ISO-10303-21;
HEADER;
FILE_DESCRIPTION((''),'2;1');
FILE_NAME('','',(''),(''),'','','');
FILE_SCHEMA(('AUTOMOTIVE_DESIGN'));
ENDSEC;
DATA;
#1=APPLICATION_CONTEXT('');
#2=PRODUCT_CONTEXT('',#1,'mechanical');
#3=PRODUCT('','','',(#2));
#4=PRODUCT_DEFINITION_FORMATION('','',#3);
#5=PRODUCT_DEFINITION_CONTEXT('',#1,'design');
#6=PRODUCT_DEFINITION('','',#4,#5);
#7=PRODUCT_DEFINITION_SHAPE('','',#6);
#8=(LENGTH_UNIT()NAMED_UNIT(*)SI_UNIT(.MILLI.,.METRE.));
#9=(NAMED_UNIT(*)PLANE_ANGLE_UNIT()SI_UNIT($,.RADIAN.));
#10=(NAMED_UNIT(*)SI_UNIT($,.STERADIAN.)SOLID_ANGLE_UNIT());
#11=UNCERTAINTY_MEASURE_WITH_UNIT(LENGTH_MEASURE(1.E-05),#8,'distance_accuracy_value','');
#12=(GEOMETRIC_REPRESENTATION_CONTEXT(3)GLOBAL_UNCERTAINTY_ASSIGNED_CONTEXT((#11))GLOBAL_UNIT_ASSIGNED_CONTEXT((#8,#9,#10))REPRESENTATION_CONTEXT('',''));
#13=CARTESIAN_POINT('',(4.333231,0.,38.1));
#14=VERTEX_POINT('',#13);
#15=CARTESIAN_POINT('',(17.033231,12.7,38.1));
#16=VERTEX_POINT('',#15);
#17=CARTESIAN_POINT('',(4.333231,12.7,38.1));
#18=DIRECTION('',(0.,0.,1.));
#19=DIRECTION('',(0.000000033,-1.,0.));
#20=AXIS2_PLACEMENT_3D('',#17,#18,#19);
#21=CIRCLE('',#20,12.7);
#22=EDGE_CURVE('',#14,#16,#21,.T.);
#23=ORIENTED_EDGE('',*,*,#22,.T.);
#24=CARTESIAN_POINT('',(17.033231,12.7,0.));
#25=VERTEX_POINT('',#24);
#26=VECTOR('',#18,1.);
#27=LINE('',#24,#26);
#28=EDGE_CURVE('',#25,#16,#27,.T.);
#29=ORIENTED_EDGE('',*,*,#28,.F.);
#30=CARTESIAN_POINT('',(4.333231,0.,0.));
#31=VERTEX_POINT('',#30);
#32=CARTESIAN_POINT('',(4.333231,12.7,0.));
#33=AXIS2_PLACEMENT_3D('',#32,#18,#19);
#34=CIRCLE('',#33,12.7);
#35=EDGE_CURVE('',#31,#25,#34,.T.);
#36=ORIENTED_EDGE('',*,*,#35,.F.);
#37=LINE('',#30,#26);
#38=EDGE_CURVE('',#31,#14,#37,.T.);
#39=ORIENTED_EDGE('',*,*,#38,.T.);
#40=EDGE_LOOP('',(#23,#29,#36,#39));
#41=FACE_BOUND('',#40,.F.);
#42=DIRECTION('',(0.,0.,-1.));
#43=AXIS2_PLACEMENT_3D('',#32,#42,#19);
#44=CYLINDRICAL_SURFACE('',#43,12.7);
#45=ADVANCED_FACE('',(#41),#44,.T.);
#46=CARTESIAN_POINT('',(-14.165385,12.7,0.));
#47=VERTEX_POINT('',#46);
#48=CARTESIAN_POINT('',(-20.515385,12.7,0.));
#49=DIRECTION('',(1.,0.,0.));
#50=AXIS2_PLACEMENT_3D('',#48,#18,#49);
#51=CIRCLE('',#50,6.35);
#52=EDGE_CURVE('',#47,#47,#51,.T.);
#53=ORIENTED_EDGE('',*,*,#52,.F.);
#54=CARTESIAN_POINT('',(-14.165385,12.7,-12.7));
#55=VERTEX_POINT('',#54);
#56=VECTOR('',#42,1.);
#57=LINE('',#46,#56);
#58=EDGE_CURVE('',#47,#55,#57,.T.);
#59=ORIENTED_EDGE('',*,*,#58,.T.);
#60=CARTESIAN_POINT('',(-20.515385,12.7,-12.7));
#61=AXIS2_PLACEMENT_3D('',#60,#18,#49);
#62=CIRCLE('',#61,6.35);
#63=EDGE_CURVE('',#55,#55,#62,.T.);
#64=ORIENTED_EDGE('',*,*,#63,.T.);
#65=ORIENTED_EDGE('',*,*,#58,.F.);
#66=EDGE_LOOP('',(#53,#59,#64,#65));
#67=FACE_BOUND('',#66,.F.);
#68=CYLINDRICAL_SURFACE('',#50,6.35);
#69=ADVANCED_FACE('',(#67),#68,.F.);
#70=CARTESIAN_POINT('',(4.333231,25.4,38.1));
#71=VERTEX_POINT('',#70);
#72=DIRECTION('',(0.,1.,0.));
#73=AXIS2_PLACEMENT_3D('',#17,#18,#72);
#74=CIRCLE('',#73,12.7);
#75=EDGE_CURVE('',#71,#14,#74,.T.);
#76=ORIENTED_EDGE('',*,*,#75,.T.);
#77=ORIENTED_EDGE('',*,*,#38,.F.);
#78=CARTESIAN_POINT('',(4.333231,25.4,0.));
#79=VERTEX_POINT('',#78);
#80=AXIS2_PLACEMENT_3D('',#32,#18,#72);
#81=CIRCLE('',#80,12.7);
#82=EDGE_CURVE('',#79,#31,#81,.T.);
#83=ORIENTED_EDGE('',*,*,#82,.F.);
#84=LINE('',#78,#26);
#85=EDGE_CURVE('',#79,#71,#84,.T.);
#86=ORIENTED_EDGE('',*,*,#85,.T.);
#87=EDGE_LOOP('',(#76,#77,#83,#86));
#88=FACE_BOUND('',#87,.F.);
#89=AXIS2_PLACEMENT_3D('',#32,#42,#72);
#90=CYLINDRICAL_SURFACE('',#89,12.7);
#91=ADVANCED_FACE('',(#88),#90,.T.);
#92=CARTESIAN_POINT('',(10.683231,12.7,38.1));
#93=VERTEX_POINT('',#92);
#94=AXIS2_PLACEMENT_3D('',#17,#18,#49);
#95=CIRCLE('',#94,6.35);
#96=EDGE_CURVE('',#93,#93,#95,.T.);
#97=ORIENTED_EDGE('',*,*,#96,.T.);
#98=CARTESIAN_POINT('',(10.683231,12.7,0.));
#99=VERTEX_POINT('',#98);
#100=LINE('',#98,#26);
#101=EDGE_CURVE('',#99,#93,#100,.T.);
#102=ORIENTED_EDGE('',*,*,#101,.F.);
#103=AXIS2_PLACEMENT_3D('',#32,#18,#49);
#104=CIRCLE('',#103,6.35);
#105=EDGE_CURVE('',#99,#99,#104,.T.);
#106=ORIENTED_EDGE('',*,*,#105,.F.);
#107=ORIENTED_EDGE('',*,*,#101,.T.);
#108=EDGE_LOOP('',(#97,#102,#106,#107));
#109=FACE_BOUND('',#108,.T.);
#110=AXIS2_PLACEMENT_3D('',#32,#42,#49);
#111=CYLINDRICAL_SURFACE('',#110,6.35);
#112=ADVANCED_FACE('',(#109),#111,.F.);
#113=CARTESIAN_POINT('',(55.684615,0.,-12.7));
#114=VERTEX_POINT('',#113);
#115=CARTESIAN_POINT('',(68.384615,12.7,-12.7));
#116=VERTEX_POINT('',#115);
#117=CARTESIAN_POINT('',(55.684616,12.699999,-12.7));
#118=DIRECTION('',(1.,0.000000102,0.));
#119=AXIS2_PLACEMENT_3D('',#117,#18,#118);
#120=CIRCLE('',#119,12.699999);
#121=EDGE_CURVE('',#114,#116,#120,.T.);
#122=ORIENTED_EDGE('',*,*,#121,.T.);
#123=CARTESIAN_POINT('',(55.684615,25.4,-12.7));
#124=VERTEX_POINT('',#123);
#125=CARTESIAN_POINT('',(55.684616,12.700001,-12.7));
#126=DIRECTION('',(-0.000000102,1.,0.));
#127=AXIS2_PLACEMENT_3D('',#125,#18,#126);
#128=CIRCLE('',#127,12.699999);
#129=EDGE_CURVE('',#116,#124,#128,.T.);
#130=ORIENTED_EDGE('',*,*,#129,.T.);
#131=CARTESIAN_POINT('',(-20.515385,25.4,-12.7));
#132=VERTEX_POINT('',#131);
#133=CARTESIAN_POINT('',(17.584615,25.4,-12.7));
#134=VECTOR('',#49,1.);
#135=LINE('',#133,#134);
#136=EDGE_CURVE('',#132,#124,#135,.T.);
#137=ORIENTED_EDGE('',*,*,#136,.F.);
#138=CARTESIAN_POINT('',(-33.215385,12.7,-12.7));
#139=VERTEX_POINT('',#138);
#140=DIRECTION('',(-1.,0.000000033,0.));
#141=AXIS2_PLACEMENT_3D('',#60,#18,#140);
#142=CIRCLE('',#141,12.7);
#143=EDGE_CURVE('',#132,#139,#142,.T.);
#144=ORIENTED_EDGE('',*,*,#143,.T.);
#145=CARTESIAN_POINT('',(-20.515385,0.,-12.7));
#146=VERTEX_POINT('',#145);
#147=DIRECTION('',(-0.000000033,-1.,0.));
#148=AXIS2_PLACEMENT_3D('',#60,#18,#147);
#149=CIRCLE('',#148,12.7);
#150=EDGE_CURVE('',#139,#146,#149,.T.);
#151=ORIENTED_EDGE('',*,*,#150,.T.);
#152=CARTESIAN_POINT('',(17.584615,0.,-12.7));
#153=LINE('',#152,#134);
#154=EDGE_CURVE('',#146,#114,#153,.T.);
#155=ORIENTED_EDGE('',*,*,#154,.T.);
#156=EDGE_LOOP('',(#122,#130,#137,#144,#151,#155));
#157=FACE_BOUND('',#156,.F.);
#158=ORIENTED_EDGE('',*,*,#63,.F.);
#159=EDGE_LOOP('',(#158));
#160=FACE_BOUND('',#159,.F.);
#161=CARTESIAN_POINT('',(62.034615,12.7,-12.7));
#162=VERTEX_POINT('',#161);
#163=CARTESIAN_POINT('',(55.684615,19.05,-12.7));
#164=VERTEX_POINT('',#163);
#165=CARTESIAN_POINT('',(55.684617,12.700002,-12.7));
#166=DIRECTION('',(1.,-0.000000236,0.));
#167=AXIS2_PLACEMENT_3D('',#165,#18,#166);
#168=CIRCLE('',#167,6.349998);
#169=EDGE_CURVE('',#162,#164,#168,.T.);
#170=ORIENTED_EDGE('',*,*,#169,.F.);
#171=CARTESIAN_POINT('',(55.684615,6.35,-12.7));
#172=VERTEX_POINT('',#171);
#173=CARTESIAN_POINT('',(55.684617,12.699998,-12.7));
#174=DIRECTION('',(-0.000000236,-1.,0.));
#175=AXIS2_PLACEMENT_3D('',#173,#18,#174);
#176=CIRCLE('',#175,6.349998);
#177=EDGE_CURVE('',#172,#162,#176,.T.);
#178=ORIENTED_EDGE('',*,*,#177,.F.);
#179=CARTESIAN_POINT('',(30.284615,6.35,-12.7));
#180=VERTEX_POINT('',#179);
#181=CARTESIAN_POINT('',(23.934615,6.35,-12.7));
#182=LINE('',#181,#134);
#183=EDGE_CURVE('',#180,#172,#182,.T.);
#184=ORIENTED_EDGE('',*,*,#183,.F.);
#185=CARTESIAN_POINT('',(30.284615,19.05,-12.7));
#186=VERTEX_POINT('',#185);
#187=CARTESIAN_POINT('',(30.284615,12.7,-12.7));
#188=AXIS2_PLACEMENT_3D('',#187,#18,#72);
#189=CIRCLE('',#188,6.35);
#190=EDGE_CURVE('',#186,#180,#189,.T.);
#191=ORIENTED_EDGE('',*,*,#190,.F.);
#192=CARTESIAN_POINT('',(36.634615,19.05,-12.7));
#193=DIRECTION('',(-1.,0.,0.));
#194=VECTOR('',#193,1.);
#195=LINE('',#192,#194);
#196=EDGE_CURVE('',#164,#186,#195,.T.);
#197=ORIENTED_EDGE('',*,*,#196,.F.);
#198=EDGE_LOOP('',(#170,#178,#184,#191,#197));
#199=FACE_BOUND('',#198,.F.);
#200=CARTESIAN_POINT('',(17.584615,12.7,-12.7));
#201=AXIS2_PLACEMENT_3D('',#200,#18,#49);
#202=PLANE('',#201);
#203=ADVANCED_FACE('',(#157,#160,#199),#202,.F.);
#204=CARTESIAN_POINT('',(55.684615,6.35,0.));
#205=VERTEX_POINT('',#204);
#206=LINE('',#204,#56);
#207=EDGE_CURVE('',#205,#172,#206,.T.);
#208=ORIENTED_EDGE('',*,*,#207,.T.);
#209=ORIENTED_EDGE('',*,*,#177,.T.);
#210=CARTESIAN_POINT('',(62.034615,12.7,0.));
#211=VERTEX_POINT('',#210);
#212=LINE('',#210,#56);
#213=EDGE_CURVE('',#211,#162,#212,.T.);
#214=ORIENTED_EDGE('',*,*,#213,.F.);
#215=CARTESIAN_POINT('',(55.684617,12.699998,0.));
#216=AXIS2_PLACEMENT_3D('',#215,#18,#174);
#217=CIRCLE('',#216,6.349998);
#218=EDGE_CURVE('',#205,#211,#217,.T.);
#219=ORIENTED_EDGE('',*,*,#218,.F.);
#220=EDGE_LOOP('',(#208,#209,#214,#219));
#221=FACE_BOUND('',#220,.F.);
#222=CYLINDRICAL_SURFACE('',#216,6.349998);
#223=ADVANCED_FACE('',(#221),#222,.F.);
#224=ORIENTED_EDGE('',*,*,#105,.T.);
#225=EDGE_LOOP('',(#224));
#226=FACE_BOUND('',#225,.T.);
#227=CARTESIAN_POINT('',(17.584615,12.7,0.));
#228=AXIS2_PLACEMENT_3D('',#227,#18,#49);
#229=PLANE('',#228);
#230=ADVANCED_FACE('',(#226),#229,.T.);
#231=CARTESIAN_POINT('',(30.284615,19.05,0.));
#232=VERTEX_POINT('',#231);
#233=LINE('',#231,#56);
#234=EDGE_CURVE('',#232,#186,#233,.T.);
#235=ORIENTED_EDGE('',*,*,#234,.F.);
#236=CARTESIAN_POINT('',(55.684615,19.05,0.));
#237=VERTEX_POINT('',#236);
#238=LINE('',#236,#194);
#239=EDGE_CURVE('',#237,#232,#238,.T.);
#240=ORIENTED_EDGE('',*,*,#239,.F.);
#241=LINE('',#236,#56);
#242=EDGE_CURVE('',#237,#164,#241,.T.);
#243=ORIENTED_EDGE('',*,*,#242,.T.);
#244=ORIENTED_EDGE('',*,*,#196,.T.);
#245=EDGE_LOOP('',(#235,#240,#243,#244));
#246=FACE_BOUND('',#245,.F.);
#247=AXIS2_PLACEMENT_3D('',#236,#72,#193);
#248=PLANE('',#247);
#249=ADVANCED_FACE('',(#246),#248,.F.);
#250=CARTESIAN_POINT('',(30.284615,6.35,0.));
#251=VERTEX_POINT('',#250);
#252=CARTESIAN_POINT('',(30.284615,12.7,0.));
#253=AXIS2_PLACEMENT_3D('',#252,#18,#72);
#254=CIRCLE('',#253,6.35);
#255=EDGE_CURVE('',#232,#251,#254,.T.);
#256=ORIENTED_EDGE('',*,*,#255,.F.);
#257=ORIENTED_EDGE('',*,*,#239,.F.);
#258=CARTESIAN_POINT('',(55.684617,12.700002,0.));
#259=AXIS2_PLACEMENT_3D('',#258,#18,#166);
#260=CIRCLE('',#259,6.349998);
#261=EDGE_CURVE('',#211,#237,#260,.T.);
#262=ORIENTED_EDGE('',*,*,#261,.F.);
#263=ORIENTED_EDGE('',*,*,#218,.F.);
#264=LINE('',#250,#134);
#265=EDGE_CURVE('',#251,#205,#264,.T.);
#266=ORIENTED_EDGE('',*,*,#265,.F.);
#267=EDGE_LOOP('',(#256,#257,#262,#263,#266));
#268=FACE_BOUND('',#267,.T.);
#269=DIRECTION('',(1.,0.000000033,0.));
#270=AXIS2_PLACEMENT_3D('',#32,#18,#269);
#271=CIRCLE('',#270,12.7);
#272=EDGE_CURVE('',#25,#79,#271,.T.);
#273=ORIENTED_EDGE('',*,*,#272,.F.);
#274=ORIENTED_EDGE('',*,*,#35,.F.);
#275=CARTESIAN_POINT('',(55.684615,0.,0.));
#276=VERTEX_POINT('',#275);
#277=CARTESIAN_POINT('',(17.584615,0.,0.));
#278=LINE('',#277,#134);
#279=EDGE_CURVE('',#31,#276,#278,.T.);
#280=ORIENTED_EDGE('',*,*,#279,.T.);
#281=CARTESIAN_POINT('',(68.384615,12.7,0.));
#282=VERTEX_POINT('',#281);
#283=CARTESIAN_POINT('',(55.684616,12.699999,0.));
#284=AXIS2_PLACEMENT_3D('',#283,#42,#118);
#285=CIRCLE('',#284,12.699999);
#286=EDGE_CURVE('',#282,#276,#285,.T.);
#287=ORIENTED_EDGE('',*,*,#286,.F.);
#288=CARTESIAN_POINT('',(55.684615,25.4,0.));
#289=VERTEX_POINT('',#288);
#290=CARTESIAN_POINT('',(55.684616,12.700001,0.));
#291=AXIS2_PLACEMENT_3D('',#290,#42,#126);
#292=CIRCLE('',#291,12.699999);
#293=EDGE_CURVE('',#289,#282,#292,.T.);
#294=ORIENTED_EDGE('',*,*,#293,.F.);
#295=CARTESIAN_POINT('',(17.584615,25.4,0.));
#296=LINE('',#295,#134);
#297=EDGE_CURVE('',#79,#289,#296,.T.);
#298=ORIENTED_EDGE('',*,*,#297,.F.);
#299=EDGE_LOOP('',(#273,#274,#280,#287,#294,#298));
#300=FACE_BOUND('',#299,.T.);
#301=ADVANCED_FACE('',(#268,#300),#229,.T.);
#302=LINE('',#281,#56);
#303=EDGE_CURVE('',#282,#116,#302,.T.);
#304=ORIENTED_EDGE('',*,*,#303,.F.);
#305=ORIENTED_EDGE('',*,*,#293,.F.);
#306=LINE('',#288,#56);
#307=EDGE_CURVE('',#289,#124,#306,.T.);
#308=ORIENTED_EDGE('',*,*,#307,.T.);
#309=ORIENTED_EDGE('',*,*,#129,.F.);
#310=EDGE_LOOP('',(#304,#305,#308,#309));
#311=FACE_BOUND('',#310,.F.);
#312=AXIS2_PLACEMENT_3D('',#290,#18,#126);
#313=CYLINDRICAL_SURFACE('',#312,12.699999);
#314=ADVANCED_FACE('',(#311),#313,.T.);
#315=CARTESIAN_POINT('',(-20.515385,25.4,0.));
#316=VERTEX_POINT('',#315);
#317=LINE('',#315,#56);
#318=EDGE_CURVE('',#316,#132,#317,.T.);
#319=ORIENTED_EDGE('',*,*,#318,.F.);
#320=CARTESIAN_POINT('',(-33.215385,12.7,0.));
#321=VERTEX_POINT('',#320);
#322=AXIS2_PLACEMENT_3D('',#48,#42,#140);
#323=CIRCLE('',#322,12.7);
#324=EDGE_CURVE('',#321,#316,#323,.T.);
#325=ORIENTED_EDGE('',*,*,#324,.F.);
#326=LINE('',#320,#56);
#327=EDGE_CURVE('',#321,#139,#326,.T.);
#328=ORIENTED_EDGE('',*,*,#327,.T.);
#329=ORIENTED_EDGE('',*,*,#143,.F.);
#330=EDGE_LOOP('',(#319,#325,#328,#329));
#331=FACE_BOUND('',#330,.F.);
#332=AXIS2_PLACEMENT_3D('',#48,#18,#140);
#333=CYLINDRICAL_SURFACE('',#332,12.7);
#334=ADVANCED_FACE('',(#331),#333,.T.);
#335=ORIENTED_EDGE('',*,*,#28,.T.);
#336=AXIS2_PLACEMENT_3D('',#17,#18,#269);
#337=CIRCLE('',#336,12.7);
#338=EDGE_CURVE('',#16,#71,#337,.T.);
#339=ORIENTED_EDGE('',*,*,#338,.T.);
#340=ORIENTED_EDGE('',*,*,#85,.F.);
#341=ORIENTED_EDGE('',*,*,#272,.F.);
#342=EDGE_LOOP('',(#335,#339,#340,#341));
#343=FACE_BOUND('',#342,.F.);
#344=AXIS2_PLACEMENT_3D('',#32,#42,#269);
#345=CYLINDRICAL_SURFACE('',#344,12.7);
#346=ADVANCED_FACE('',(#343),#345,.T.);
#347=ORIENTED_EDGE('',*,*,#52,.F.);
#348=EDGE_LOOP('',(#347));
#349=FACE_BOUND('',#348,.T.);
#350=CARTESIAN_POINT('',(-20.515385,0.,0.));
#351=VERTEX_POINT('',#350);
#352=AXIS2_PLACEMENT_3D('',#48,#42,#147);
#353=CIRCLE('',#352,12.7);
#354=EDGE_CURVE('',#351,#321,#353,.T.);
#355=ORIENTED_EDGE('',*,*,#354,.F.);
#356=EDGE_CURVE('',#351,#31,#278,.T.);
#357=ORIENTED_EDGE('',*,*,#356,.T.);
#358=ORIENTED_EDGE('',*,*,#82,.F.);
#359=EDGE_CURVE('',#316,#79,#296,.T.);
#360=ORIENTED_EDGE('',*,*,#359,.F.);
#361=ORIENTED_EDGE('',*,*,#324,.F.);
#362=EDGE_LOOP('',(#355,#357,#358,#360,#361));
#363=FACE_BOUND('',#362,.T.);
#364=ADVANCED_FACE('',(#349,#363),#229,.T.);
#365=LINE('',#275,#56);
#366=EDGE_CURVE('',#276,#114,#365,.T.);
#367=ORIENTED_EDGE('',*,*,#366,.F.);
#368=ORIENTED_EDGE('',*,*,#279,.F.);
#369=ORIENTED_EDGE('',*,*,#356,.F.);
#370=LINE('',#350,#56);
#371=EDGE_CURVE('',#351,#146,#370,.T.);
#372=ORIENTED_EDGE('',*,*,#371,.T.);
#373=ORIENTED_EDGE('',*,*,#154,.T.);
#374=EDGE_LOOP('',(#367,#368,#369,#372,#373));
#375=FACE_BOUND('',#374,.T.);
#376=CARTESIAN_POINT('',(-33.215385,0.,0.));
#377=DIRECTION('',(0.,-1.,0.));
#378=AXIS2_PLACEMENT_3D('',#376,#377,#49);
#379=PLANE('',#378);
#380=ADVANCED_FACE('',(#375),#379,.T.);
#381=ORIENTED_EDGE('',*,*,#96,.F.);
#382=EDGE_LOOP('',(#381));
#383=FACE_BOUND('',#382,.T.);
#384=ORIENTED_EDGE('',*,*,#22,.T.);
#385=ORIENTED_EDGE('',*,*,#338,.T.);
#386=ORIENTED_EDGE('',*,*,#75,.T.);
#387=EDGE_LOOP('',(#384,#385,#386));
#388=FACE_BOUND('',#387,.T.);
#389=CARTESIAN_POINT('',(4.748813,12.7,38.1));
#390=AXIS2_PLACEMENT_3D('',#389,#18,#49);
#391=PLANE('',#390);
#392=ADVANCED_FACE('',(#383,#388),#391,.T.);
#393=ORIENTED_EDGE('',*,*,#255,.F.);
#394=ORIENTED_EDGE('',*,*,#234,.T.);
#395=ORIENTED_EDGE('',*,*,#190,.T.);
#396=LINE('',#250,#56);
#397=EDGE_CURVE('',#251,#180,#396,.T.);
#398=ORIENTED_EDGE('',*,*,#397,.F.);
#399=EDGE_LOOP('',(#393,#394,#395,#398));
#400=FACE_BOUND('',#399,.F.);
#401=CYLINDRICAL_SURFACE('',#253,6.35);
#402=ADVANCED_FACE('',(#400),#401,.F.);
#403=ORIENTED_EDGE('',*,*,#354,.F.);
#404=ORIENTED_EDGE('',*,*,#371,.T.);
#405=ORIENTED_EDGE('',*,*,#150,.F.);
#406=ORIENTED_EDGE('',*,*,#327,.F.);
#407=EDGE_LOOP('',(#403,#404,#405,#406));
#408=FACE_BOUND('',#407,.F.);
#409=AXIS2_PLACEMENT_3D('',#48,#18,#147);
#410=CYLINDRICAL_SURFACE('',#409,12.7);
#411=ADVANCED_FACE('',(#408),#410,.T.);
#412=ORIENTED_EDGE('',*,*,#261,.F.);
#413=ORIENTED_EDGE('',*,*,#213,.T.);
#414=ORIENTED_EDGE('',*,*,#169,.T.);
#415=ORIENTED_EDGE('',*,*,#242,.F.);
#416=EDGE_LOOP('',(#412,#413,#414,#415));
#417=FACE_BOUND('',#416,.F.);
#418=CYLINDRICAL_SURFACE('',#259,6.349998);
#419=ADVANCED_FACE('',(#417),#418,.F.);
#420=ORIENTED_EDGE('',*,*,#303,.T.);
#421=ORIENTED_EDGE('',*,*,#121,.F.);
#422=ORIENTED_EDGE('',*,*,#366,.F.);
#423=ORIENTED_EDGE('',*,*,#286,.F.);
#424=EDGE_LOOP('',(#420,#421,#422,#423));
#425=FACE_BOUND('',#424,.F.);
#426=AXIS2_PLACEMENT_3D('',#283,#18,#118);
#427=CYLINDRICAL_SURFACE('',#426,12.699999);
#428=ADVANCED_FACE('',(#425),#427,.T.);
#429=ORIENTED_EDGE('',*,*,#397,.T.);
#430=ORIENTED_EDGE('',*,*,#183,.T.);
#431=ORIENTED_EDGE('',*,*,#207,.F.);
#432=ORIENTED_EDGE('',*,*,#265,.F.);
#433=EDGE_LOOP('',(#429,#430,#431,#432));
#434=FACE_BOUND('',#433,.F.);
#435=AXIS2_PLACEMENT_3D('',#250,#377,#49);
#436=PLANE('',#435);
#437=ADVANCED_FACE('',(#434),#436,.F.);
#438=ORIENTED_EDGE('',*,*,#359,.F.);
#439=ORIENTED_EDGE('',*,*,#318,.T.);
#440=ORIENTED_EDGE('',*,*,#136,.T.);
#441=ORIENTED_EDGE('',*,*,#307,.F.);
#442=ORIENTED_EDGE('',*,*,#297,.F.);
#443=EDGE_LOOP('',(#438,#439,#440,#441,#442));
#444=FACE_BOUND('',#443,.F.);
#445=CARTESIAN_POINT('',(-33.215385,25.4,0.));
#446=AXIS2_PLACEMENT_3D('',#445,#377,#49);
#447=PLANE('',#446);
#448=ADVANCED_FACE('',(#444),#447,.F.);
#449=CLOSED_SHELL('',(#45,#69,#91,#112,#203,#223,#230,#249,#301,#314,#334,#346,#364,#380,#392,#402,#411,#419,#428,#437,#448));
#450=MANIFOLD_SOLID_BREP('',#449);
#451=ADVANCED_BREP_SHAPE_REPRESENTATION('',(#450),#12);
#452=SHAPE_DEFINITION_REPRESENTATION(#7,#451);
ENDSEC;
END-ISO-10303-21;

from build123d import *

# Parameters (mm, degrees)
F0_W     = 101.6
F0_H     = 25.4
F1_DEPTH = 12.7
F2_R     = 6.35
F3_DEPTH = 25.4
F4_R     = 6.35
F5_DEPTH = 38.1


with BuildPart() as f1:
    # F0 (on Top) → F1 (new body)
    with BuildSketch(Plane.XY):
        with Locations((17.584615, 12.7)):
            Rectangle(F0_W, F0_H)
    extrude(amount=-F1_DEPTH)

    # F2 (on face) → F3 (cut)
    with BuildSketch(Plane.XY):
        with BuildLine():
            ThreePointArc((55.684615, 6.35), (60.174744, 8.209872), (62.034615, 12.7))
            ThreePointArc((62.034615, 12.7), (60.174744, 17.190128), (55.684615, 19.05))
            ThreePointArc((55.684615, 19.05), (49.334615, 12.7), (55.684615, 6.35))
        make_face()
        with BuildLine():
            ThreePointArc((36.634615, 12.7), (34.774744, 17.190128), (30.284615, 19.05))
            ThreePointArc((30.284615, 19.05), (23.934615, 12.7), (30.284615, 6.35))
            ThreePointArc((30.284615, 6.35), (34.774744, 8.209872), (36.634615, 12.7))
        make_face()
        with BuildLine():
            ThreePointArc((-33.215385, 12.7), (-29.495641, 21.680256), (-20.515385, 25.4))
            Line((-20.515385, 25.4), (-33.215385, 25.4))
            Line((-33.215385, 25.4), (-33.215385, 12.7))
        make_face()
        with BuildLine():
            ThreePointArc((-20.515385, 0), (-29.495641, 3.719744), (-33.215385, 12.7))
            Line((-33.215385, 12.7), (-33.215385, 0))
            Line((-33.215385, 0), (-20.515385, 0))
        make_face()
        with BuildLine():
            Line((68.384615, 25.4), (55.684615, 25.4))
            ThreePointArc((55.684615, 25.4), (64.664872, 21.680256), (68.384615, 12.7))
            Line((68.384615, 12.7), (68.384615, 25.4))
        make_face()
        with BuildLine():
            Line((68.384615, 0), (68.384615, 12.7))
            ThreePointArc((68.384615, 12.7), (64.664872, 3.719744), (55.684615, 0))
            Line((55.684615, 0), (68.384615, 0))
        make_face()
        with BuildLine():
            ThreePointArc((55.684615, 6.35), (49.334615, 12.7), (55.684615, 19.05))
            Line((55.684615, 19.05), (30.284615, 19.05))
            ThreePointArc((30.284615, 19.05), (34.774744, 17.190128), (36.634615, 12.7))
            ThreePointArc((36.634615, 12.7), (34.774744, 8.209872), (30.284615, 6.35))
            Line((30.284615, 6.35), (55.684615, 6.35))
        make_face()
        with Locations((-20.515385, 12.7)):
            Circle(F2_R)
    extrude(amount=-F3_DEPTH, mode=Mode.SUBTRACT)

    # F4 (on face) → F5 (join)
    with BuildSketch(Plane.XY):
        with BuildLine():
            ThreePointArc((4.333231, 0), (13.313487, 3.719744), (17.033231, 12.7))
            ThreePointArc((17.033231, 12.7), (13.313487, 21.680256), (4.333231, 25.4))
            ThreePointArc((4.333231, 25.4), (-8.366769, 12.7), (4.333231, 0))
        make_face()
        with Locations((4.333231, 12.7)):
            Circle(F4_R, mode=Mode.SUBTRACT)
    extrude(amount=F5_DEPTH)


solid = f1.part
